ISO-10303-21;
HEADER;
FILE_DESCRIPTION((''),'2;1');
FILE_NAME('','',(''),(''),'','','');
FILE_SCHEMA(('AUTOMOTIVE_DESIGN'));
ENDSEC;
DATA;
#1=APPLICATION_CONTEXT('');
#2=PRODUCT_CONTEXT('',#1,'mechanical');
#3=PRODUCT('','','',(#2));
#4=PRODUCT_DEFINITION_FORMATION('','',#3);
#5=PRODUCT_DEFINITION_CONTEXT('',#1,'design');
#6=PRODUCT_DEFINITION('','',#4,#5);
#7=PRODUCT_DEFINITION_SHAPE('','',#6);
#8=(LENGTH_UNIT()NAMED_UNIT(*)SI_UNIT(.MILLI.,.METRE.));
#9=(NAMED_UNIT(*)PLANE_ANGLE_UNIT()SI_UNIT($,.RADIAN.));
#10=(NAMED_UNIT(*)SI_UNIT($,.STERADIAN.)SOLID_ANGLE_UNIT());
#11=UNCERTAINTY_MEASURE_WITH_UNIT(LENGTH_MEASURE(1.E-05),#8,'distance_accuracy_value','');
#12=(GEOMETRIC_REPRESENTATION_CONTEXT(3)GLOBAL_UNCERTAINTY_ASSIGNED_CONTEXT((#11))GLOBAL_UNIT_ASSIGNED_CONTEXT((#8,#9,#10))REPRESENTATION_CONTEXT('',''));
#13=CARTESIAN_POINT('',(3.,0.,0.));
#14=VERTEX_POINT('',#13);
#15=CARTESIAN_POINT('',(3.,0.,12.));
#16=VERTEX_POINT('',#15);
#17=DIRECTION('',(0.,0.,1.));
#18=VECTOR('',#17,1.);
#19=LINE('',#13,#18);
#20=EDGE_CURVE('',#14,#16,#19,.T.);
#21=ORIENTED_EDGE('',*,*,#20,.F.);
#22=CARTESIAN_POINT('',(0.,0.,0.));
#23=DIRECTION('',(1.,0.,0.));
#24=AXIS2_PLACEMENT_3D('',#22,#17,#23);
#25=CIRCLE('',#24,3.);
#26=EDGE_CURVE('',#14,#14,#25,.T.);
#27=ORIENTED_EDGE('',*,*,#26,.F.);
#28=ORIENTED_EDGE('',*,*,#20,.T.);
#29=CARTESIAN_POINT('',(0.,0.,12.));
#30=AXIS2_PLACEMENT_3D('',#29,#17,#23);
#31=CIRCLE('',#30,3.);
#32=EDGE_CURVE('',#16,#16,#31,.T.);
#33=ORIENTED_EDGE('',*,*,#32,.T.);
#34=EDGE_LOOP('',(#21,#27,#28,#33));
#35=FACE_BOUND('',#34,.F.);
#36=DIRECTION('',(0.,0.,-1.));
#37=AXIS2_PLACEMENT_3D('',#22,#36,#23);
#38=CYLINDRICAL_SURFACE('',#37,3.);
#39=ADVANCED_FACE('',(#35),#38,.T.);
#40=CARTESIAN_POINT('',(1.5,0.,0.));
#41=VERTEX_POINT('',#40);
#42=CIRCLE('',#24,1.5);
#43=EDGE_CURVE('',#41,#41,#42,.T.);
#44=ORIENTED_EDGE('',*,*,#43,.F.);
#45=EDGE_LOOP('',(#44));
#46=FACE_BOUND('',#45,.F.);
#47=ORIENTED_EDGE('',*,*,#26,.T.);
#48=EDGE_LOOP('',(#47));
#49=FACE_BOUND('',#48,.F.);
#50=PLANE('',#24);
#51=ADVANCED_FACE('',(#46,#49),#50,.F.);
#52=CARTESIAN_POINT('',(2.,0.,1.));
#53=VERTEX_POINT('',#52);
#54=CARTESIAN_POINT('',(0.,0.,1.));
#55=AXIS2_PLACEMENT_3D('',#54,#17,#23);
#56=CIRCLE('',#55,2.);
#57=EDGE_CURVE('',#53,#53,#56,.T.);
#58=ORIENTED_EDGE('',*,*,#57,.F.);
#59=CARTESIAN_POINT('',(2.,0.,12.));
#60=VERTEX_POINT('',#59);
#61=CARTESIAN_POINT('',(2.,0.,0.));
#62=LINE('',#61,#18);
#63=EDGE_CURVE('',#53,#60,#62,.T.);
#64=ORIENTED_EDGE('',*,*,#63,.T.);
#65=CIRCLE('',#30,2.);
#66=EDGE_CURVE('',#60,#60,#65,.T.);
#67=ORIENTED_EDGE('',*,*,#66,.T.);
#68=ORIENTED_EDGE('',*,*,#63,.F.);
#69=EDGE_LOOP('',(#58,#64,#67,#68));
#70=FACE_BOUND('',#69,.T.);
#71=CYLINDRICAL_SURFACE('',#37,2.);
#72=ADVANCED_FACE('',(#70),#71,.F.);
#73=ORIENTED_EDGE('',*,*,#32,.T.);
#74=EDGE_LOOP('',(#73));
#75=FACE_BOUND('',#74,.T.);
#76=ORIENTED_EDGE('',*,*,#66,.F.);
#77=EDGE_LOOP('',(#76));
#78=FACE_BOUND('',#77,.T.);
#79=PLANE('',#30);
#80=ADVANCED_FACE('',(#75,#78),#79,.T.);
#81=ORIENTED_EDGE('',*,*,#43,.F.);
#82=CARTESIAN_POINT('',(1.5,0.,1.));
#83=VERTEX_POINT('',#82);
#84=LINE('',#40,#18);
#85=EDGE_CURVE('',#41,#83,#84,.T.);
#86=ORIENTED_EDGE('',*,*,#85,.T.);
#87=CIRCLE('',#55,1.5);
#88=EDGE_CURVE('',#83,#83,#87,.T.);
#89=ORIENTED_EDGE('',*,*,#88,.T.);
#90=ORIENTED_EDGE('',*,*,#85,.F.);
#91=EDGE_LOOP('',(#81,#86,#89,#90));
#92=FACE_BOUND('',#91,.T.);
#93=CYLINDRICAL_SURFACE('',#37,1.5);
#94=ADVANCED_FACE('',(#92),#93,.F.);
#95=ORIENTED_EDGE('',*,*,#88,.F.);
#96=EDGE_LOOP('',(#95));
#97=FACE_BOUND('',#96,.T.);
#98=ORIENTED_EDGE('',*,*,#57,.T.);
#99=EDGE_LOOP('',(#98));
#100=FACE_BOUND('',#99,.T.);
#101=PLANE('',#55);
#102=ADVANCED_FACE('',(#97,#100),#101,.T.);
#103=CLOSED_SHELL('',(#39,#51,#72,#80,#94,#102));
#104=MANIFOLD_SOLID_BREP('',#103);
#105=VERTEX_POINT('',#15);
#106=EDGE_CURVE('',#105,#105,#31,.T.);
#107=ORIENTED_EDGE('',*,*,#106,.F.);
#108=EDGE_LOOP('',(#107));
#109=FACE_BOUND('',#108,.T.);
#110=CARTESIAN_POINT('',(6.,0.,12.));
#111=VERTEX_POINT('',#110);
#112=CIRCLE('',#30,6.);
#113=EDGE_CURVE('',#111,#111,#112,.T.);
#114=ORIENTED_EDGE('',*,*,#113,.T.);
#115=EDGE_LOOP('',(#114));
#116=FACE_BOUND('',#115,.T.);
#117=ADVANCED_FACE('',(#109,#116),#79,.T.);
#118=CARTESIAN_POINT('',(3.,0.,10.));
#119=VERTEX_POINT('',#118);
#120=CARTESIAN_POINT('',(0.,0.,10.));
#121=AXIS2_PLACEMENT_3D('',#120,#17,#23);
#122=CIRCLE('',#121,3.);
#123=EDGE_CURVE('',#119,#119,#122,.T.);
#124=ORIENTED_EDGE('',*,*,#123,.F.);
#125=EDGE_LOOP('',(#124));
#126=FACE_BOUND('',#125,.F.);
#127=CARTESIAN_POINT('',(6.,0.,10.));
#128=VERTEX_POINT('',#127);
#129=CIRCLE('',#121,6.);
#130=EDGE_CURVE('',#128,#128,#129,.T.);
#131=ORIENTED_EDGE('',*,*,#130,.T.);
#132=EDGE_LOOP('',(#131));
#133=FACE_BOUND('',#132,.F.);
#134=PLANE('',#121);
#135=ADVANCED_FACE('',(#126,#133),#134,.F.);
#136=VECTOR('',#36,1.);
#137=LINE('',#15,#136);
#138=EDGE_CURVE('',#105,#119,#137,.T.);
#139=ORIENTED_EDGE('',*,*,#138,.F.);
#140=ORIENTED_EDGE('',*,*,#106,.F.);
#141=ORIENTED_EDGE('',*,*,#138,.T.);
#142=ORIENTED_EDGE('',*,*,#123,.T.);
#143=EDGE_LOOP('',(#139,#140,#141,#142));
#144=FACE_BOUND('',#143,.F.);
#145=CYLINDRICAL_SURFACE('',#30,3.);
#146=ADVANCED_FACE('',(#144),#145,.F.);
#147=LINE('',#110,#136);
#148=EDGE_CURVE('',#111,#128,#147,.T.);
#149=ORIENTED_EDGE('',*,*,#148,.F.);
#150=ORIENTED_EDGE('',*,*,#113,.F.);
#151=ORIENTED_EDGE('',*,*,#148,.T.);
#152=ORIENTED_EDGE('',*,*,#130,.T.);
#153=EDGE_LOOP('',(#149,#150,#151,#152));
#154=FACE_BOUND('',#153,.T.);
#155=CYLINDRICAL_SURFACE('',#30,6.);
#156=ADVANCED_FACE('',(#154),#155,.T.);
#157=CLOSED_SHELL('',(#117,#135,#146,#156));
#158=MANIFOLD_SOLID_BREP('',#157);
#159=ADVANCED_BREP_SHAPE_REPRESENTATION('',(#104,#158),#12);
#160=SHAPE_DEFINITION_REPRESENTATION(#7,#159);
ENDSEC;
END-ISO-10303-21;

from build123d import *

# Parameters (mm, degrees)
F0_R     = 3
F0_R_2   = 2
F1_DEPTH = 12
F0_R_3   = 1.5
F2_DEPTH = 1
F3_R     = 6
F3_R_2   = 3
F4_DEPTH = 2


with BuildPart() as f1:
    # F0 (on Top) → F1 (new body)
    with BuildSketch(Plane.XY):
        Circle(F0_R)
        Circle(F0_R_2, mode=Mode.SUBTRACT)
    extrude(amount=F1_DEPTH)

    # F0 (on Top) → F2 (join)
    with BuildSketch(Plane.XY):
        Circle(F0_R_2)
        Circle(F0_R_3, mode=Mode.SUBTRACT)
    extrude(amount=F2_DEPTH)


with BuildPart() as f4:
    # F3 (on face) → F4 (new body)
    with BuildSketch(Plane.XY.offset(12)):
        Circle(F3_R)
        Circle(F3_R_2, mode=Mode.SUBTRACT)
    extrude(amount=-F4_DEPTH)


solid = Compound([f1.part, f4.part])
